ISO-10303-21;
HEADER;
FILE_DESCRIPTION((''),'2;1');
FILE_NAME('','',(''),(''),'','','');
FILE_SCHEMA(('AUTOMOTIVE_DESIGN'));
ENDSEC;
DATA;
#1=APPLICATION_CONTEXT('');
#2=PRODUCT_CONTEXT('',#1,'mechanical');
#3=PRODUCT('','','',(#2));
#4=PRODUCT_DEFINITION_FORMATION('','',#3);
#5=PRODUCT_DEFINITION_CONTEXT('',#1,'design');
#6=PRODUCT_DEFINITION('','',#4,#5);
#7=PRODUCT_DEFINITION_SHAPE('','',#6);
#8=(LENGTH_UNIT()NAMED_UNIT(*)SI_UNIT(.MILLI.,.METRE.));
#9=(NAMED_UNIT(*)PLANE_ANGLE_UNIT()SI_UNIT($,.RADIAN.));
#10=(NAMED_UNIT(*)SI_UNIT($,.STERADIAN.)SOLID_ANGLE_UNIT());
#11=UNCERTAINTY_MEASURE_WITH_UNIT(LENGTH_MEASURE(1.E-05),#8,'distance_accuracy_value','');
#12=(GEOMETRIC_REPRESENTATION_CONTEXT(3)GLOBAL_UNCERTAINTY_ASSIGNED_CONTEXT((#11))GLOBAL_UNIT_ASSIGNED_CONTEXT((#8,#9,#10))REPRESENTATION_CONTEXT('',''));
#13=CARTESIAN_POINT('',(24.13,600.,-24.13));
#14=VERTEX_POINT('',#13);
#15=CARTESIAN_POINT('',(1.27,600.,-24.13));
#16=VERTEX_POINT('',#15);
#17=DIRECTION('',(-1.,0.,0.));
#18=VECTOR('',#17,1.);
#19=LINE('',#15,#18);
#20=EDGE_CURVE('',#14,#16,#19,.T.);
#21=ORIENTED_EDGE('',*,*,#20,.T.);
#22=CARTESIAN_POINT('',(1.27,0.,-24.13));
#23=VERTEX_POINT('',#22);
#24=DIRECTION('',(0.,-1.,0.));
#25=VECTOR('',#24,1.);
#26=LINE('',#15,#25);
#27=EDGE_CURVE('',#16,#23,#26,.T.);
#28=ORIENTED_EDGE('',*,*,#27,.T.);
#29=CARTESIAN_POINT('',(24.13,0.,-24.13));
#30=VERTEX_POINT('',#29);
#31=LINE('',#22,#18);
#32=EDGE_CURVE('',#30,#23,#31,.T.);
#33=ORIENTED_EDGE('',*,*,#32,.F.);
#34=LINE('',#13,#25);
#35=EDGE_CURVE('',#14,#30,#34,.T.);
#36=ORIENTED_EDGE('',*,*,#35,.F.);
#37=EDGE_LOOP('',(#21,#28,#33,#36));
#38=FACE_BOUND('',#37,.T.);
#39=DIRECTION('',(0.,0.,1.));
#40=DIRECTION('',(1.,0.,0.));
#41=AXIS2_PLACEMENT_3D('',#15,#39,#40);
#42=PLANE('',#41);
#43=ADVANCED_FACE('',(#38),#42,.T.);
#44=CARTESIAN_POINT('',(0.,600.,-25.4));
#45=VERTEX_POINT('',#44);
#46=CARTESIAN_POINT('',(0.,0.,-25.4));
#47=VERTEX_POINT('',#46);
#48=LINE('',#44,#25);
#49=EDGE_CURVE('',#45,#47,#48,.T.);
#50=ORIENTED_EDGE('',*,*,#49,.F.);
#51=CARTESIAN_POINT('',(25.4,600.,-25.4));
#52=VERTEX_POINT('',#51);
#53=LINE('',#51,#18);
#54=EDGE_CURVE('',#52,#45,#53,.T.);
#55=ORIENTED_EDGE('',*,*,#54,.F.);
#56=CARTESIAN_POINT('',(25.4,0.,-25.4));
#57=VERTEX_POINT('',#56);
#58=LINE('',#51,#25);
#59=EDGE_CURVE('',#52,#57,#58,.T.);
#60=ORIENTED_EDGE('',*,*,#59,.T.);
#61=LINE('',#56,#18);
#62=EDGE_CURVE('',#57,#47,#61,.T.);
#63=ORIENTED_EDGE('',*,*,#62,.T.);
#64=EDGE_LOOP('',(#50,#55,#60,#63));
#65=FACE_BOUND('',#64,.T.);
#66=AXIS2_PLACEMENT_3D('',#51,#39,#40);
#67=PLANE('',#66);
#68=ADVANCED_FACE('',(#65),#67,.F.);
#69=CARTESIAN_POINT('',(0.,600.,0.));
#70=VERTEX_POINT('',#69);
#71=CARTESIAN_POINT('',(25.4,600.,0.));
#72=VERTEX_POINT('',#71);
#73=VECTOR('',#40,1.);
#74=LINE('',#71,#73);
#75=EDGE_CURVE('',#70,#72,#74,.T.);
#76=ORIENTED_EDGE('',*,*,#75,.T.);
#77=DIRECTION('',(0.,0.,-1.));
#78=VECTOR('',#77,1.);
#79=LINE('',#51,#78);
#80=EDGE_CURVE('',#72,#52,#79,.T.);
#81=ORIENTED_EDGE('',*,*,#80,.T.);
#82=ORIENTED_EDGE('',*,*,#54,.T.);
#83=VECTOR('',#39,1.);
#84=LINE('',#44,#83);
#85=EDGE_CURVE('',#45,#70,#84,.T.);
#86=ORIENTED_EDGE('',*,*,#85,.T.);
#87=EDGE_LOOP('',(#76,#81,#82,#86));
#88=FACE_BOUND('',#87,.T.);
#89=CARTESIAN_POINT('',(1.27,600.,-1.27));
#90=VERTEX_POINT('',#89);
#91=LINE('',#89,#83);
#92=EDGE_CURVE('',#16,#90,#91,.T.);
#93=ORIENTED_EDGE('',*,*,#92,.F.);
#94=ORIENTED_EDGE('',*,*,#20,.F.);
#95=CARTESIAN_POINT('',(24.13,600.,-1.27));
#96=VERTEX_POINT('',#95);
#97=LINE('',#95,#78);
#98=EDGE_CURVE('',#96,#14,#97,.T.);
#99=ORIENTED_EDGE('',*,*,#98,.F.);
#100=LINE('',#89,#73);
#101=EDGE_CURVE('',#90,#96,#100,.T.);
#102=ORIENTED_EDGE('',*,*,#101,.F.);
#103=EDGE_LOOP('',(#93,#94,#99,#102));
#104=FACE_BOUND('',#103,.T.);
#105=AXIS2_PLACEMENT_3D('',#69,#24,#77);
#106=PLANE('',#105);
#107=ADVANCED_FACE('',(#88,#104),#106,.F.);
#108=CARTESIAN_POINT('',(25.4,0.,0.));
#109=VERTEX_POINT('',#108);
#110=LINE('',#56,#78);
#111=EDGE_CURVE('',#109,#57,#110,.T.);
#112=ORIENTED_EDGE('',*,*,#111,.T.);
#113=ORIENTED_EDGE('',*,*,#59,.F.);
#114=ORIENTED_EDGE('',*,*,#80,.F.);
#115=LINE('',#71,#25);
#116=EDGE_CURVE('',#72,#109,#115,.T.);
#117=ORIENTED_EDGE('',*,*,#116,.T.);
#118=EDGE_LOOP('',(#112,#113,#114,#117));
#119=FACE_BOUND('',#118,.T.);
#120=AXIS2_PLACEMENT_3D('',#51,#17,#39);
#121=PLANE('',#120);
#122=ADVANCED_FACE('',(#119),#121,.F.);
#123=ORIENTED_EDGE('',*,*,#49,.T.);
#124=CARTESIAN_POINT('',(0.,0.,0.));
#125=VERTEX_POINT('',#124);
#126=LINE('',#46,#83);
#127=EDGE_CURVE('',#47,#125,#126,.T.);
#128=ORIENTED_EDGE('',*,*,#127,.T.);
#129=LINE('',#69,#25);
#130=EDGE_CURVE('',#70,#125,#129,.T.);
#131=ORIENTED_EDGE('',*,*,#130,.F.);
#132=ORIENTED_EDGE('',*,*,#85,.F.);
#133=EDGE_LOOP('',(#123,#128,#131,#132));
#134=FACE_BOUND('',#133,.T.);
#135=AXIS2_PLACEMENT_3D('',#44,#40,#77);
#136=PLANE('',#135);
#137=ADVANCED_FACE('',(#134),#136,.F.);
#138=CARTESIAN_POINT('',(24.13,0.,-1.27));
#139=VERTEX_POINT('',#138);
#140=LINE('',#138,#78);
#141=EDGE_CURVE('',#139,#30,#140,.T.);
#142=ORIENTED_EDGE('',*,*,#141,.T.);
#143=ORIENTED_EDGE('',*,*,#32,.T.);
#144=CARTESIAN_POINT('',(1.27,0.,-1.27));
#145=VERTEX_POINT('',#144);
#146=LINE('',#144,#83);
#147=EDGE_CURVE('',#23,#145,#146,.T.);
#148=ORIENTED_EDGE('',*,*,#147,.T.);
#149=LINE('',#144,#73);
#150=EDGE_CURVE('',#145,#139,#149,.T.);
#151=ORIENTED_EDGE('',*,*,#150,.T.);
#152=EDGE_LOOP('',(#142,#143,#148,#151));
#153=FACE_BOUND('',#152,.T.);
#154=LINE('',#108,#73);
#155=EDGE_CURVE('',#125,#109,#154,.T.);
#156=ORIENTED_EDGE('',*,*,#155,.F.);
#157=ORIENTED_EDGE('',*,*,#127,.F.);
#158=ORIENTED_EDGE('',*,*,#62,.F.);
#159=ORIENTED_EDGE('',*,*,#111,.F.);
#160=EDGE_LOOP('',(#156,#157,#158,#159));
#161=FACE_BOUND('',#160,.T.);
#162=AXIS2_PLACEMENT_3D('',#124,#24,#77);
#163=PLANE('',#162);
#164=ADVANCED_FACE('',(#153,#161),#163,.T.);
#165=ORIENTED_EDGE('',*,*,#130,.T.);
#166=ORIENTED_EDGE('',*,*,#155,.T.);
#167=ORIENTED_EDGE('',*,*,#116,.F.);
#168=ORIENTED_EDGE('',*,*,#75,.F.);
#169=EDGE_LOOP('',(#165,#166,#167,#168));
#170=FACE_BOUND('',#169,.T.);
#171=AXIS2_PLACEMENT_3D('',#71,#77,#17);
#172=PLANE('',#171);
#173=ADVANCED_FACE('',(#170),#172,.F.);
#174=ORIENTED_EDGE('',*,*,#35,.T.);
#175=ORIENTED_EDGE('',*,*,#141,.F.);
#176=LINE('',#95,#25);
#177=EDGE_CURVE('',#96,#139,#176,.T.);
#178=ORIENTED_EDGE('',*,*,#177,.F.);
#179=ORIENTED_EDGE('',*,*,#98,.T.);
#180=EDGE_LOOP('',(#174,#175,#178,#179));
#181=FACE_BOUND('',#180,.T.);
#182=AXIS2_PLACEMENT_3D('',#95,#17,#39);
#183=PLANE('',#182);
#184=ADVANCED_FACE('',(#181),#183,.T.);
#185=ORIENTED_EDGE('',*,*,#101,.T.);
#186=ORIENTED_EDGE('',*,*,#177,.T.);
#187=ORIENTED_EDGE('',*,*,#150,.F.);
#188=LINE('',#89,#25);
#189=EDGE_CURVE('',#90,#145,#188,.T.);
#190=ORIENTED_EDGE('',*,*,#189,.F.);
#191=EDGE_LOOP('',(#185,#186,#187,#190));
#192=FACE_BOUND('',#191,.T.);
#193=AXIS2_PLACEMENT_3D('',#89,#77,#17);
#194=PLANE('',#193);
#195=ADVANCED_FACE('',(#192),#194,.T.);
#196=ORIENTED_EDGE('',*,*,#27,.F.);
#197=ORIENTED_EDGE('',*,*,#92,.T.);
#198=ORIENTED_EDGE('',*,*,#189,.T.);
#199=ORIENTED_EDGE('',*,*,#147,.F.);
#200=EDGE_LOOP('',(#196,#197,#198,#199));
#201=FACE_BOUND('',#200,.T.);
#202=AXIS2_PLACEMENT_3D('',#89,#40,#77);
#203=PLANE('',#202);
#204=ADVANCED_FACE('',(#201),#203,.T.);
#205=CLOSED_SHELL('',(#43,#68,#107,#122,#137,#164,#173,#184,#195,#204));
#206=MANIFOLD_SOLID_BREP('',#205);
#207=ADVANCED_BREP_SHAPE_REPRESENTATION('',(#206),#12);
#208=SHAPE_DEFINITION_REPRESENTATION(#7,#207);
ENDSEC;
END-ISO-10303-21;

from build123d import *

# Parameters (mm, degrees)
SKETCH1_W           = 25.4
SKETCH1_H           = 25.4
SKETCH1_W_2         = 22.86
SKETCH1_H_2         = 22.86
BOSS_EXTRUDE1_DEPTH = 600


with BuildPart() as part:
    # Sketch1 → Boss-Extrude1 (new body)
    with BuildSketch(Plane(origin=(0, 0, 0), x_dir=(1, 0, 0), z_dir=(0, 1, 0))):
        with Locations((12.7, 12.7)):
            Rectangle(SKETCH1_W, SKETCH1_H)
        with Locations((12.7, 12.7)):
            Rectangle(SKETCH1_W_2, SKETCH1_H_2, mode=Mode.SUBTRACT)
    extrude(amount=BOSS_EXTRUDE1_DEPTH)


solid = part.part
